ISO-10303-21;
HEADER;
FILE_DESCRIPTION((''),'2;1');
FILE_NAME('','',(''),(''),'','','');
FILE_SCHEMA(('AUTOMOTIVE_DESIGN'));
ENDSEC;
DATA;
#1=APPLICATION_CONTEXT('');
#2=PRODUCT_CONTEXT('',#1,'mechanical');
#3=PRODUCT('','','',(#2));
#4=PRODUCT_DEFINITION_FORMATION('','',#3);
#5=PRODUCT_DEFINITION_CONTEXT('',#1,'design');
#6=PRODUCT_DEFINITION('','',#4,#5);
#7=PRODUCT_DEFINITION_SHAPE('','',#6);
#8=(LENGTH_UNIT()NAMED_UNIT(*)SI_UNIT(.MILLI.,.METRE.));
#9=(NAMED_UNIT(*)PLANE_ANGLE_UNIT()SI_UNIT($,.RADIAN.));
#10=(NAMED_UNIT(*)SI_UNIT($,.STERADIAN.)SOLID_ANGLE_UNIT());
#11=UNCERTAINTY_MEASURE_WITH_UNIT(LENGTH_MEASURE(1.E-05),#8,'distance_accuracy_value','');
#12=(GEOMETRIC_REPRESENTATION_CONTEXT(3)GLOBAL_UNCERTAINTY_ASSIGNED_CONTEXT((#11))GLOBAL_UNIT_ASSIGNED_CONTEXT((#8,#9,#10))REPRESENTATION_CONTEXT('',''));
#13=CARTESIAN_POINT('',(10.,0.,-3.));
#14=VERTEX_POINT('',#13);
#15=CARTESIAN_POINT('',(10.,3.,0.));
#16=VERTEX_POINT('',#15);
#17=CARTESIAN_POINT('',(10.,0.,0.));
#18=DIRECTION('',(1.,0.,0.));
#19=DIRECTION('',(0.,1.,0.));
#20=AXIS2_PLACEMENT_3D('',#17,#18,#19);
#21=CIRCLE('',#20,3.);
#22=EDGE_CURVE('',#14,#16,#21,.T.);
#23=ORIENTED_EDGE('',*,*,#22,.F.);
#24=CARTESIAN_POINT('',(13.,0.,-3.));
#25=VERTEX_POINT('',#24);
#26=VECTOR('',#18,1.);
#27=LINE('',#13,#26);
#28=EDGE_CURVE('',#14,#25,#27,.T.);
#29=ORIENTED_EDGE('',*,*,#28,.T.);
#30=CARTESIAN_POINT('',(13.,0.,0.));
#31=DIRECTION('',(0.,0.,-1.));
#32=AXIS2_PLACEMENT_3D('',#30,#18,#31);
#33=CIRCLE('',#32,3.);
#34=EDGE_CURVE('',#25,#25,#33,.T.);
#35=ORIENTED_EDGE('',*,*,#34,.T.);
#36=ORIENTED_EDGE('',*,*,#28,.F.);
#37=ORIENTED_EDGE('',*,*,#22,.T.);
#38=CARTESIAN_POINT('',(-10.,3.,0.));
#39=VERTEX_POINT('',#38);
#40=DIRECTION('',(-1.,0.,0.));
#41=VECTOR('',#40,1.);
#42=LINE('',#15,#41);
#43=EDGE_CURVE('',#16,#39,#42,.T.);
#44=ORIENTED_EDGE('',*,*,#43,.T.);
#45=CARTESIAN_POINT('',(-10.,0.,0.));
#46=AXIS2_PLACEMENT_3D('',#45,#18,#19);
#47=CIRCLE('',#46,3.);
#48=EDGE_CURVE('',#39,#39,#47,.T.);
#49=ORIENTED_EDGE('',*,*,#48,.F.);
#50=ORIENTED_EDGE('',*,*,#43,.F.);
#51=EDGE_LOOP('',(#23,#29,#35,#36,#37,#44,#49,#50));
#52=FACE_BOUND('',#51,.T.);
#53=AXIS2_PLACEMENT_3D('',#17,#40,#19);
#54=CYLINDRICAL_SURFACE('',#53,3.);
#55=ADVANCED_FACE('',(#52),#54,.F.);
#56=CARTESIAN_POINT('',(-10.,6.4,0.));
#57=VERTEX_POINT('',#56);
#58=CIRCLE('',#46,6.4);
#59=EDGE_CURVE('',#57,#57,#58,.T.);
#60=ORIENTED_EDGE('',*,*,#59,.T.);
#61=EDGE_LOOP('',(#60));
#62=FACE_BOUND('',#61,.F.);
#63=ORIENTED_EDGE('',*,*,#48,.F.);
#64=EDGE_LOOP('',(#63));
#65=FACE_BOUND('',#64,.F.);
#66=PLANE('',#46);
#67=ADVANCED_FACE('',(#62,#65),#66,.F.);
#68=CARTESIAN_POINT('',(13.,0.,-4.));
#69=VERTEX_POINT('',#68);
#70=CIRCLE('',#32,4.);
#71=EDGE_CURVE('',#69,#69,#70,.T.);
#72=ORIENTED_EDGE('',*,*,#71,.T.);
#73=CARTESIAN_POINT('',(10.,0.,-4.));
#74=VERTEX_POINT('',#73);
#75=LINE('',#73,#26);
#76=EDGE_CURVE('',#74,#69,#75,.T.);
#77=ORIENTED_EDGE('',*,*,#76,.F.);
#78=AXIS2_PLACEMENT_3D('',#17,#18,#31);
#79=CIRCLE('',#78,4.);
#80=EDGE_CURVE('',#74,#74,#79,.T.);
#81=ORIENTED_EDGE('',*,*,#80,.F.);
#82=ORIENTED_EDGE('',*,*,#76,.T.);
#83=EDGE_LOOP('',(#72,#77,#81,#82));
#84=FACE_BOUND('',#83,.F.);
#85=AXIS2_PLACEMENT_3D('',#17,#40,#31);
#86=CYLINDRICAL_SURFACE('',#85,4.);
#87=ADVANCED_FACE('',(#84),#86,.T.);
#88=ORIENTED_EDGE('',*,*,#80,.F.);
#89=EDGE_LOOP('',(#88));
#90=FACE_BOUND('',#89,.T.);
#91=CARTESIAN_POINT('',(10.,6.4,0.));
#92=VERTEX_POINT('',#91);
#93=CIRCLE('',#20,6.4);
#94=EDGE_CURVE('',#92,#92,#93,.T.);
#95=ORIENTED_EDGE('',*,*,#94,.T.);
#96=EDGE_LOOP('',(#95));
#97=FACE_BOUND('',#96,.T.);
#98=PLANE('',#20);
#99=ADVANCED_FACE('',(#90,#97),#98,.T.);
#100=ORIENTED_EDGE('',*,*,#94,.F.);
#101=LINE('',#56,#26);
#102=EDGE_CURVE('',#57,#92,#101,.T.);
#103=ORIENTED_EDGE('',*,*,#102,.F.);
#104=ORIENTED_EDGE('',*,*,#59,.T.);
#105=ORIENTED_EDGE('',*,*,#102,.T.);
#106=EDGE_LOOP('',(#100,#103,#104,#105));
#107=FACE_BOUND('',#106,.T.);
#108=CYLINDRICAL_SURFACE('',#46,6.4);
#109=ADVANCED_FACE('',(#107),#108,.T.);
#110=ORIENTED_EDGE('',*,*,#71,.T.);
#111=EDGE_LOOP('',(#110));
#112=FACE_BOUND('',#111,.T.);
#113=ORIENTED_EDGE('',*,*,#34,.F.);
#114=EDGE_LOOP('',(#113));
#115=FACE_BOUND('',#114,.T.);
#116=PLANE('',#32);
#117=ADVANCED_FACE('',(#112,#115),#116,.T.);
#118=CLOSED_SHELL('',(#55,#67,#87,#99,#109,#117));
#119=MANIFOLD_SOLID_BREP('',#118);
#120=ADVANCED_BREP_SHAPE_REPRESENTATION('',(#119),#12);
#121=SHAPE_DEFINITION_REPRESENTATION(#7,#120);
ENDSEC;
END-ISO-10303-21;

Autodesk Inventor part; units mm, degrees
ref_plane "YZ Plane" through (0, 0, 0) normal (1, 0, 0) x (0, 1, 0)
ref_plane "XZ Plane" through (0, 0, 0) normal (0, 1, 0) x (-1, 0, 0)
ref_plane "XY Plane" through (0, 0, 0) normal (0, 0, 1) x (1, 0, 0)
sketch "スケッチ1" plane through (0, 0, 0) normal (0, 0, 1) x (1, 0, 0)
  line L0 (-10, 6.4) -> (10, 6.4)
  line L1 (10, 6.4) -> (10, 3)
  line L2 (10, 3) -> (-10, 3)
  line L3 (0, 0) -> (14.8811, 0)
  line L4 (-10, 6.4) -> (-10, 3)
  point P0 (0, 3)
  dimension "d14" = 6
  dimension "d15" = 12.8
  dimension "d17" = 20
revolve "回転1" add sketch "スケッチ1" angle 360 about axis through (0, 0, 0) along (1, 0, 0)
sketch "Sketch3" plane through (10, 0, 0) normal (1, 0, 0) x (0, 0, -1)
  circle A0 centre (0, 0) radius 3 projected
  circle A1 centre (0, 0) radius 4
  dimension "d18" = 8
extrude "Extrusion1" add sketch "Sketch3" along normal blind 3
properties material "ポリスチレン"
